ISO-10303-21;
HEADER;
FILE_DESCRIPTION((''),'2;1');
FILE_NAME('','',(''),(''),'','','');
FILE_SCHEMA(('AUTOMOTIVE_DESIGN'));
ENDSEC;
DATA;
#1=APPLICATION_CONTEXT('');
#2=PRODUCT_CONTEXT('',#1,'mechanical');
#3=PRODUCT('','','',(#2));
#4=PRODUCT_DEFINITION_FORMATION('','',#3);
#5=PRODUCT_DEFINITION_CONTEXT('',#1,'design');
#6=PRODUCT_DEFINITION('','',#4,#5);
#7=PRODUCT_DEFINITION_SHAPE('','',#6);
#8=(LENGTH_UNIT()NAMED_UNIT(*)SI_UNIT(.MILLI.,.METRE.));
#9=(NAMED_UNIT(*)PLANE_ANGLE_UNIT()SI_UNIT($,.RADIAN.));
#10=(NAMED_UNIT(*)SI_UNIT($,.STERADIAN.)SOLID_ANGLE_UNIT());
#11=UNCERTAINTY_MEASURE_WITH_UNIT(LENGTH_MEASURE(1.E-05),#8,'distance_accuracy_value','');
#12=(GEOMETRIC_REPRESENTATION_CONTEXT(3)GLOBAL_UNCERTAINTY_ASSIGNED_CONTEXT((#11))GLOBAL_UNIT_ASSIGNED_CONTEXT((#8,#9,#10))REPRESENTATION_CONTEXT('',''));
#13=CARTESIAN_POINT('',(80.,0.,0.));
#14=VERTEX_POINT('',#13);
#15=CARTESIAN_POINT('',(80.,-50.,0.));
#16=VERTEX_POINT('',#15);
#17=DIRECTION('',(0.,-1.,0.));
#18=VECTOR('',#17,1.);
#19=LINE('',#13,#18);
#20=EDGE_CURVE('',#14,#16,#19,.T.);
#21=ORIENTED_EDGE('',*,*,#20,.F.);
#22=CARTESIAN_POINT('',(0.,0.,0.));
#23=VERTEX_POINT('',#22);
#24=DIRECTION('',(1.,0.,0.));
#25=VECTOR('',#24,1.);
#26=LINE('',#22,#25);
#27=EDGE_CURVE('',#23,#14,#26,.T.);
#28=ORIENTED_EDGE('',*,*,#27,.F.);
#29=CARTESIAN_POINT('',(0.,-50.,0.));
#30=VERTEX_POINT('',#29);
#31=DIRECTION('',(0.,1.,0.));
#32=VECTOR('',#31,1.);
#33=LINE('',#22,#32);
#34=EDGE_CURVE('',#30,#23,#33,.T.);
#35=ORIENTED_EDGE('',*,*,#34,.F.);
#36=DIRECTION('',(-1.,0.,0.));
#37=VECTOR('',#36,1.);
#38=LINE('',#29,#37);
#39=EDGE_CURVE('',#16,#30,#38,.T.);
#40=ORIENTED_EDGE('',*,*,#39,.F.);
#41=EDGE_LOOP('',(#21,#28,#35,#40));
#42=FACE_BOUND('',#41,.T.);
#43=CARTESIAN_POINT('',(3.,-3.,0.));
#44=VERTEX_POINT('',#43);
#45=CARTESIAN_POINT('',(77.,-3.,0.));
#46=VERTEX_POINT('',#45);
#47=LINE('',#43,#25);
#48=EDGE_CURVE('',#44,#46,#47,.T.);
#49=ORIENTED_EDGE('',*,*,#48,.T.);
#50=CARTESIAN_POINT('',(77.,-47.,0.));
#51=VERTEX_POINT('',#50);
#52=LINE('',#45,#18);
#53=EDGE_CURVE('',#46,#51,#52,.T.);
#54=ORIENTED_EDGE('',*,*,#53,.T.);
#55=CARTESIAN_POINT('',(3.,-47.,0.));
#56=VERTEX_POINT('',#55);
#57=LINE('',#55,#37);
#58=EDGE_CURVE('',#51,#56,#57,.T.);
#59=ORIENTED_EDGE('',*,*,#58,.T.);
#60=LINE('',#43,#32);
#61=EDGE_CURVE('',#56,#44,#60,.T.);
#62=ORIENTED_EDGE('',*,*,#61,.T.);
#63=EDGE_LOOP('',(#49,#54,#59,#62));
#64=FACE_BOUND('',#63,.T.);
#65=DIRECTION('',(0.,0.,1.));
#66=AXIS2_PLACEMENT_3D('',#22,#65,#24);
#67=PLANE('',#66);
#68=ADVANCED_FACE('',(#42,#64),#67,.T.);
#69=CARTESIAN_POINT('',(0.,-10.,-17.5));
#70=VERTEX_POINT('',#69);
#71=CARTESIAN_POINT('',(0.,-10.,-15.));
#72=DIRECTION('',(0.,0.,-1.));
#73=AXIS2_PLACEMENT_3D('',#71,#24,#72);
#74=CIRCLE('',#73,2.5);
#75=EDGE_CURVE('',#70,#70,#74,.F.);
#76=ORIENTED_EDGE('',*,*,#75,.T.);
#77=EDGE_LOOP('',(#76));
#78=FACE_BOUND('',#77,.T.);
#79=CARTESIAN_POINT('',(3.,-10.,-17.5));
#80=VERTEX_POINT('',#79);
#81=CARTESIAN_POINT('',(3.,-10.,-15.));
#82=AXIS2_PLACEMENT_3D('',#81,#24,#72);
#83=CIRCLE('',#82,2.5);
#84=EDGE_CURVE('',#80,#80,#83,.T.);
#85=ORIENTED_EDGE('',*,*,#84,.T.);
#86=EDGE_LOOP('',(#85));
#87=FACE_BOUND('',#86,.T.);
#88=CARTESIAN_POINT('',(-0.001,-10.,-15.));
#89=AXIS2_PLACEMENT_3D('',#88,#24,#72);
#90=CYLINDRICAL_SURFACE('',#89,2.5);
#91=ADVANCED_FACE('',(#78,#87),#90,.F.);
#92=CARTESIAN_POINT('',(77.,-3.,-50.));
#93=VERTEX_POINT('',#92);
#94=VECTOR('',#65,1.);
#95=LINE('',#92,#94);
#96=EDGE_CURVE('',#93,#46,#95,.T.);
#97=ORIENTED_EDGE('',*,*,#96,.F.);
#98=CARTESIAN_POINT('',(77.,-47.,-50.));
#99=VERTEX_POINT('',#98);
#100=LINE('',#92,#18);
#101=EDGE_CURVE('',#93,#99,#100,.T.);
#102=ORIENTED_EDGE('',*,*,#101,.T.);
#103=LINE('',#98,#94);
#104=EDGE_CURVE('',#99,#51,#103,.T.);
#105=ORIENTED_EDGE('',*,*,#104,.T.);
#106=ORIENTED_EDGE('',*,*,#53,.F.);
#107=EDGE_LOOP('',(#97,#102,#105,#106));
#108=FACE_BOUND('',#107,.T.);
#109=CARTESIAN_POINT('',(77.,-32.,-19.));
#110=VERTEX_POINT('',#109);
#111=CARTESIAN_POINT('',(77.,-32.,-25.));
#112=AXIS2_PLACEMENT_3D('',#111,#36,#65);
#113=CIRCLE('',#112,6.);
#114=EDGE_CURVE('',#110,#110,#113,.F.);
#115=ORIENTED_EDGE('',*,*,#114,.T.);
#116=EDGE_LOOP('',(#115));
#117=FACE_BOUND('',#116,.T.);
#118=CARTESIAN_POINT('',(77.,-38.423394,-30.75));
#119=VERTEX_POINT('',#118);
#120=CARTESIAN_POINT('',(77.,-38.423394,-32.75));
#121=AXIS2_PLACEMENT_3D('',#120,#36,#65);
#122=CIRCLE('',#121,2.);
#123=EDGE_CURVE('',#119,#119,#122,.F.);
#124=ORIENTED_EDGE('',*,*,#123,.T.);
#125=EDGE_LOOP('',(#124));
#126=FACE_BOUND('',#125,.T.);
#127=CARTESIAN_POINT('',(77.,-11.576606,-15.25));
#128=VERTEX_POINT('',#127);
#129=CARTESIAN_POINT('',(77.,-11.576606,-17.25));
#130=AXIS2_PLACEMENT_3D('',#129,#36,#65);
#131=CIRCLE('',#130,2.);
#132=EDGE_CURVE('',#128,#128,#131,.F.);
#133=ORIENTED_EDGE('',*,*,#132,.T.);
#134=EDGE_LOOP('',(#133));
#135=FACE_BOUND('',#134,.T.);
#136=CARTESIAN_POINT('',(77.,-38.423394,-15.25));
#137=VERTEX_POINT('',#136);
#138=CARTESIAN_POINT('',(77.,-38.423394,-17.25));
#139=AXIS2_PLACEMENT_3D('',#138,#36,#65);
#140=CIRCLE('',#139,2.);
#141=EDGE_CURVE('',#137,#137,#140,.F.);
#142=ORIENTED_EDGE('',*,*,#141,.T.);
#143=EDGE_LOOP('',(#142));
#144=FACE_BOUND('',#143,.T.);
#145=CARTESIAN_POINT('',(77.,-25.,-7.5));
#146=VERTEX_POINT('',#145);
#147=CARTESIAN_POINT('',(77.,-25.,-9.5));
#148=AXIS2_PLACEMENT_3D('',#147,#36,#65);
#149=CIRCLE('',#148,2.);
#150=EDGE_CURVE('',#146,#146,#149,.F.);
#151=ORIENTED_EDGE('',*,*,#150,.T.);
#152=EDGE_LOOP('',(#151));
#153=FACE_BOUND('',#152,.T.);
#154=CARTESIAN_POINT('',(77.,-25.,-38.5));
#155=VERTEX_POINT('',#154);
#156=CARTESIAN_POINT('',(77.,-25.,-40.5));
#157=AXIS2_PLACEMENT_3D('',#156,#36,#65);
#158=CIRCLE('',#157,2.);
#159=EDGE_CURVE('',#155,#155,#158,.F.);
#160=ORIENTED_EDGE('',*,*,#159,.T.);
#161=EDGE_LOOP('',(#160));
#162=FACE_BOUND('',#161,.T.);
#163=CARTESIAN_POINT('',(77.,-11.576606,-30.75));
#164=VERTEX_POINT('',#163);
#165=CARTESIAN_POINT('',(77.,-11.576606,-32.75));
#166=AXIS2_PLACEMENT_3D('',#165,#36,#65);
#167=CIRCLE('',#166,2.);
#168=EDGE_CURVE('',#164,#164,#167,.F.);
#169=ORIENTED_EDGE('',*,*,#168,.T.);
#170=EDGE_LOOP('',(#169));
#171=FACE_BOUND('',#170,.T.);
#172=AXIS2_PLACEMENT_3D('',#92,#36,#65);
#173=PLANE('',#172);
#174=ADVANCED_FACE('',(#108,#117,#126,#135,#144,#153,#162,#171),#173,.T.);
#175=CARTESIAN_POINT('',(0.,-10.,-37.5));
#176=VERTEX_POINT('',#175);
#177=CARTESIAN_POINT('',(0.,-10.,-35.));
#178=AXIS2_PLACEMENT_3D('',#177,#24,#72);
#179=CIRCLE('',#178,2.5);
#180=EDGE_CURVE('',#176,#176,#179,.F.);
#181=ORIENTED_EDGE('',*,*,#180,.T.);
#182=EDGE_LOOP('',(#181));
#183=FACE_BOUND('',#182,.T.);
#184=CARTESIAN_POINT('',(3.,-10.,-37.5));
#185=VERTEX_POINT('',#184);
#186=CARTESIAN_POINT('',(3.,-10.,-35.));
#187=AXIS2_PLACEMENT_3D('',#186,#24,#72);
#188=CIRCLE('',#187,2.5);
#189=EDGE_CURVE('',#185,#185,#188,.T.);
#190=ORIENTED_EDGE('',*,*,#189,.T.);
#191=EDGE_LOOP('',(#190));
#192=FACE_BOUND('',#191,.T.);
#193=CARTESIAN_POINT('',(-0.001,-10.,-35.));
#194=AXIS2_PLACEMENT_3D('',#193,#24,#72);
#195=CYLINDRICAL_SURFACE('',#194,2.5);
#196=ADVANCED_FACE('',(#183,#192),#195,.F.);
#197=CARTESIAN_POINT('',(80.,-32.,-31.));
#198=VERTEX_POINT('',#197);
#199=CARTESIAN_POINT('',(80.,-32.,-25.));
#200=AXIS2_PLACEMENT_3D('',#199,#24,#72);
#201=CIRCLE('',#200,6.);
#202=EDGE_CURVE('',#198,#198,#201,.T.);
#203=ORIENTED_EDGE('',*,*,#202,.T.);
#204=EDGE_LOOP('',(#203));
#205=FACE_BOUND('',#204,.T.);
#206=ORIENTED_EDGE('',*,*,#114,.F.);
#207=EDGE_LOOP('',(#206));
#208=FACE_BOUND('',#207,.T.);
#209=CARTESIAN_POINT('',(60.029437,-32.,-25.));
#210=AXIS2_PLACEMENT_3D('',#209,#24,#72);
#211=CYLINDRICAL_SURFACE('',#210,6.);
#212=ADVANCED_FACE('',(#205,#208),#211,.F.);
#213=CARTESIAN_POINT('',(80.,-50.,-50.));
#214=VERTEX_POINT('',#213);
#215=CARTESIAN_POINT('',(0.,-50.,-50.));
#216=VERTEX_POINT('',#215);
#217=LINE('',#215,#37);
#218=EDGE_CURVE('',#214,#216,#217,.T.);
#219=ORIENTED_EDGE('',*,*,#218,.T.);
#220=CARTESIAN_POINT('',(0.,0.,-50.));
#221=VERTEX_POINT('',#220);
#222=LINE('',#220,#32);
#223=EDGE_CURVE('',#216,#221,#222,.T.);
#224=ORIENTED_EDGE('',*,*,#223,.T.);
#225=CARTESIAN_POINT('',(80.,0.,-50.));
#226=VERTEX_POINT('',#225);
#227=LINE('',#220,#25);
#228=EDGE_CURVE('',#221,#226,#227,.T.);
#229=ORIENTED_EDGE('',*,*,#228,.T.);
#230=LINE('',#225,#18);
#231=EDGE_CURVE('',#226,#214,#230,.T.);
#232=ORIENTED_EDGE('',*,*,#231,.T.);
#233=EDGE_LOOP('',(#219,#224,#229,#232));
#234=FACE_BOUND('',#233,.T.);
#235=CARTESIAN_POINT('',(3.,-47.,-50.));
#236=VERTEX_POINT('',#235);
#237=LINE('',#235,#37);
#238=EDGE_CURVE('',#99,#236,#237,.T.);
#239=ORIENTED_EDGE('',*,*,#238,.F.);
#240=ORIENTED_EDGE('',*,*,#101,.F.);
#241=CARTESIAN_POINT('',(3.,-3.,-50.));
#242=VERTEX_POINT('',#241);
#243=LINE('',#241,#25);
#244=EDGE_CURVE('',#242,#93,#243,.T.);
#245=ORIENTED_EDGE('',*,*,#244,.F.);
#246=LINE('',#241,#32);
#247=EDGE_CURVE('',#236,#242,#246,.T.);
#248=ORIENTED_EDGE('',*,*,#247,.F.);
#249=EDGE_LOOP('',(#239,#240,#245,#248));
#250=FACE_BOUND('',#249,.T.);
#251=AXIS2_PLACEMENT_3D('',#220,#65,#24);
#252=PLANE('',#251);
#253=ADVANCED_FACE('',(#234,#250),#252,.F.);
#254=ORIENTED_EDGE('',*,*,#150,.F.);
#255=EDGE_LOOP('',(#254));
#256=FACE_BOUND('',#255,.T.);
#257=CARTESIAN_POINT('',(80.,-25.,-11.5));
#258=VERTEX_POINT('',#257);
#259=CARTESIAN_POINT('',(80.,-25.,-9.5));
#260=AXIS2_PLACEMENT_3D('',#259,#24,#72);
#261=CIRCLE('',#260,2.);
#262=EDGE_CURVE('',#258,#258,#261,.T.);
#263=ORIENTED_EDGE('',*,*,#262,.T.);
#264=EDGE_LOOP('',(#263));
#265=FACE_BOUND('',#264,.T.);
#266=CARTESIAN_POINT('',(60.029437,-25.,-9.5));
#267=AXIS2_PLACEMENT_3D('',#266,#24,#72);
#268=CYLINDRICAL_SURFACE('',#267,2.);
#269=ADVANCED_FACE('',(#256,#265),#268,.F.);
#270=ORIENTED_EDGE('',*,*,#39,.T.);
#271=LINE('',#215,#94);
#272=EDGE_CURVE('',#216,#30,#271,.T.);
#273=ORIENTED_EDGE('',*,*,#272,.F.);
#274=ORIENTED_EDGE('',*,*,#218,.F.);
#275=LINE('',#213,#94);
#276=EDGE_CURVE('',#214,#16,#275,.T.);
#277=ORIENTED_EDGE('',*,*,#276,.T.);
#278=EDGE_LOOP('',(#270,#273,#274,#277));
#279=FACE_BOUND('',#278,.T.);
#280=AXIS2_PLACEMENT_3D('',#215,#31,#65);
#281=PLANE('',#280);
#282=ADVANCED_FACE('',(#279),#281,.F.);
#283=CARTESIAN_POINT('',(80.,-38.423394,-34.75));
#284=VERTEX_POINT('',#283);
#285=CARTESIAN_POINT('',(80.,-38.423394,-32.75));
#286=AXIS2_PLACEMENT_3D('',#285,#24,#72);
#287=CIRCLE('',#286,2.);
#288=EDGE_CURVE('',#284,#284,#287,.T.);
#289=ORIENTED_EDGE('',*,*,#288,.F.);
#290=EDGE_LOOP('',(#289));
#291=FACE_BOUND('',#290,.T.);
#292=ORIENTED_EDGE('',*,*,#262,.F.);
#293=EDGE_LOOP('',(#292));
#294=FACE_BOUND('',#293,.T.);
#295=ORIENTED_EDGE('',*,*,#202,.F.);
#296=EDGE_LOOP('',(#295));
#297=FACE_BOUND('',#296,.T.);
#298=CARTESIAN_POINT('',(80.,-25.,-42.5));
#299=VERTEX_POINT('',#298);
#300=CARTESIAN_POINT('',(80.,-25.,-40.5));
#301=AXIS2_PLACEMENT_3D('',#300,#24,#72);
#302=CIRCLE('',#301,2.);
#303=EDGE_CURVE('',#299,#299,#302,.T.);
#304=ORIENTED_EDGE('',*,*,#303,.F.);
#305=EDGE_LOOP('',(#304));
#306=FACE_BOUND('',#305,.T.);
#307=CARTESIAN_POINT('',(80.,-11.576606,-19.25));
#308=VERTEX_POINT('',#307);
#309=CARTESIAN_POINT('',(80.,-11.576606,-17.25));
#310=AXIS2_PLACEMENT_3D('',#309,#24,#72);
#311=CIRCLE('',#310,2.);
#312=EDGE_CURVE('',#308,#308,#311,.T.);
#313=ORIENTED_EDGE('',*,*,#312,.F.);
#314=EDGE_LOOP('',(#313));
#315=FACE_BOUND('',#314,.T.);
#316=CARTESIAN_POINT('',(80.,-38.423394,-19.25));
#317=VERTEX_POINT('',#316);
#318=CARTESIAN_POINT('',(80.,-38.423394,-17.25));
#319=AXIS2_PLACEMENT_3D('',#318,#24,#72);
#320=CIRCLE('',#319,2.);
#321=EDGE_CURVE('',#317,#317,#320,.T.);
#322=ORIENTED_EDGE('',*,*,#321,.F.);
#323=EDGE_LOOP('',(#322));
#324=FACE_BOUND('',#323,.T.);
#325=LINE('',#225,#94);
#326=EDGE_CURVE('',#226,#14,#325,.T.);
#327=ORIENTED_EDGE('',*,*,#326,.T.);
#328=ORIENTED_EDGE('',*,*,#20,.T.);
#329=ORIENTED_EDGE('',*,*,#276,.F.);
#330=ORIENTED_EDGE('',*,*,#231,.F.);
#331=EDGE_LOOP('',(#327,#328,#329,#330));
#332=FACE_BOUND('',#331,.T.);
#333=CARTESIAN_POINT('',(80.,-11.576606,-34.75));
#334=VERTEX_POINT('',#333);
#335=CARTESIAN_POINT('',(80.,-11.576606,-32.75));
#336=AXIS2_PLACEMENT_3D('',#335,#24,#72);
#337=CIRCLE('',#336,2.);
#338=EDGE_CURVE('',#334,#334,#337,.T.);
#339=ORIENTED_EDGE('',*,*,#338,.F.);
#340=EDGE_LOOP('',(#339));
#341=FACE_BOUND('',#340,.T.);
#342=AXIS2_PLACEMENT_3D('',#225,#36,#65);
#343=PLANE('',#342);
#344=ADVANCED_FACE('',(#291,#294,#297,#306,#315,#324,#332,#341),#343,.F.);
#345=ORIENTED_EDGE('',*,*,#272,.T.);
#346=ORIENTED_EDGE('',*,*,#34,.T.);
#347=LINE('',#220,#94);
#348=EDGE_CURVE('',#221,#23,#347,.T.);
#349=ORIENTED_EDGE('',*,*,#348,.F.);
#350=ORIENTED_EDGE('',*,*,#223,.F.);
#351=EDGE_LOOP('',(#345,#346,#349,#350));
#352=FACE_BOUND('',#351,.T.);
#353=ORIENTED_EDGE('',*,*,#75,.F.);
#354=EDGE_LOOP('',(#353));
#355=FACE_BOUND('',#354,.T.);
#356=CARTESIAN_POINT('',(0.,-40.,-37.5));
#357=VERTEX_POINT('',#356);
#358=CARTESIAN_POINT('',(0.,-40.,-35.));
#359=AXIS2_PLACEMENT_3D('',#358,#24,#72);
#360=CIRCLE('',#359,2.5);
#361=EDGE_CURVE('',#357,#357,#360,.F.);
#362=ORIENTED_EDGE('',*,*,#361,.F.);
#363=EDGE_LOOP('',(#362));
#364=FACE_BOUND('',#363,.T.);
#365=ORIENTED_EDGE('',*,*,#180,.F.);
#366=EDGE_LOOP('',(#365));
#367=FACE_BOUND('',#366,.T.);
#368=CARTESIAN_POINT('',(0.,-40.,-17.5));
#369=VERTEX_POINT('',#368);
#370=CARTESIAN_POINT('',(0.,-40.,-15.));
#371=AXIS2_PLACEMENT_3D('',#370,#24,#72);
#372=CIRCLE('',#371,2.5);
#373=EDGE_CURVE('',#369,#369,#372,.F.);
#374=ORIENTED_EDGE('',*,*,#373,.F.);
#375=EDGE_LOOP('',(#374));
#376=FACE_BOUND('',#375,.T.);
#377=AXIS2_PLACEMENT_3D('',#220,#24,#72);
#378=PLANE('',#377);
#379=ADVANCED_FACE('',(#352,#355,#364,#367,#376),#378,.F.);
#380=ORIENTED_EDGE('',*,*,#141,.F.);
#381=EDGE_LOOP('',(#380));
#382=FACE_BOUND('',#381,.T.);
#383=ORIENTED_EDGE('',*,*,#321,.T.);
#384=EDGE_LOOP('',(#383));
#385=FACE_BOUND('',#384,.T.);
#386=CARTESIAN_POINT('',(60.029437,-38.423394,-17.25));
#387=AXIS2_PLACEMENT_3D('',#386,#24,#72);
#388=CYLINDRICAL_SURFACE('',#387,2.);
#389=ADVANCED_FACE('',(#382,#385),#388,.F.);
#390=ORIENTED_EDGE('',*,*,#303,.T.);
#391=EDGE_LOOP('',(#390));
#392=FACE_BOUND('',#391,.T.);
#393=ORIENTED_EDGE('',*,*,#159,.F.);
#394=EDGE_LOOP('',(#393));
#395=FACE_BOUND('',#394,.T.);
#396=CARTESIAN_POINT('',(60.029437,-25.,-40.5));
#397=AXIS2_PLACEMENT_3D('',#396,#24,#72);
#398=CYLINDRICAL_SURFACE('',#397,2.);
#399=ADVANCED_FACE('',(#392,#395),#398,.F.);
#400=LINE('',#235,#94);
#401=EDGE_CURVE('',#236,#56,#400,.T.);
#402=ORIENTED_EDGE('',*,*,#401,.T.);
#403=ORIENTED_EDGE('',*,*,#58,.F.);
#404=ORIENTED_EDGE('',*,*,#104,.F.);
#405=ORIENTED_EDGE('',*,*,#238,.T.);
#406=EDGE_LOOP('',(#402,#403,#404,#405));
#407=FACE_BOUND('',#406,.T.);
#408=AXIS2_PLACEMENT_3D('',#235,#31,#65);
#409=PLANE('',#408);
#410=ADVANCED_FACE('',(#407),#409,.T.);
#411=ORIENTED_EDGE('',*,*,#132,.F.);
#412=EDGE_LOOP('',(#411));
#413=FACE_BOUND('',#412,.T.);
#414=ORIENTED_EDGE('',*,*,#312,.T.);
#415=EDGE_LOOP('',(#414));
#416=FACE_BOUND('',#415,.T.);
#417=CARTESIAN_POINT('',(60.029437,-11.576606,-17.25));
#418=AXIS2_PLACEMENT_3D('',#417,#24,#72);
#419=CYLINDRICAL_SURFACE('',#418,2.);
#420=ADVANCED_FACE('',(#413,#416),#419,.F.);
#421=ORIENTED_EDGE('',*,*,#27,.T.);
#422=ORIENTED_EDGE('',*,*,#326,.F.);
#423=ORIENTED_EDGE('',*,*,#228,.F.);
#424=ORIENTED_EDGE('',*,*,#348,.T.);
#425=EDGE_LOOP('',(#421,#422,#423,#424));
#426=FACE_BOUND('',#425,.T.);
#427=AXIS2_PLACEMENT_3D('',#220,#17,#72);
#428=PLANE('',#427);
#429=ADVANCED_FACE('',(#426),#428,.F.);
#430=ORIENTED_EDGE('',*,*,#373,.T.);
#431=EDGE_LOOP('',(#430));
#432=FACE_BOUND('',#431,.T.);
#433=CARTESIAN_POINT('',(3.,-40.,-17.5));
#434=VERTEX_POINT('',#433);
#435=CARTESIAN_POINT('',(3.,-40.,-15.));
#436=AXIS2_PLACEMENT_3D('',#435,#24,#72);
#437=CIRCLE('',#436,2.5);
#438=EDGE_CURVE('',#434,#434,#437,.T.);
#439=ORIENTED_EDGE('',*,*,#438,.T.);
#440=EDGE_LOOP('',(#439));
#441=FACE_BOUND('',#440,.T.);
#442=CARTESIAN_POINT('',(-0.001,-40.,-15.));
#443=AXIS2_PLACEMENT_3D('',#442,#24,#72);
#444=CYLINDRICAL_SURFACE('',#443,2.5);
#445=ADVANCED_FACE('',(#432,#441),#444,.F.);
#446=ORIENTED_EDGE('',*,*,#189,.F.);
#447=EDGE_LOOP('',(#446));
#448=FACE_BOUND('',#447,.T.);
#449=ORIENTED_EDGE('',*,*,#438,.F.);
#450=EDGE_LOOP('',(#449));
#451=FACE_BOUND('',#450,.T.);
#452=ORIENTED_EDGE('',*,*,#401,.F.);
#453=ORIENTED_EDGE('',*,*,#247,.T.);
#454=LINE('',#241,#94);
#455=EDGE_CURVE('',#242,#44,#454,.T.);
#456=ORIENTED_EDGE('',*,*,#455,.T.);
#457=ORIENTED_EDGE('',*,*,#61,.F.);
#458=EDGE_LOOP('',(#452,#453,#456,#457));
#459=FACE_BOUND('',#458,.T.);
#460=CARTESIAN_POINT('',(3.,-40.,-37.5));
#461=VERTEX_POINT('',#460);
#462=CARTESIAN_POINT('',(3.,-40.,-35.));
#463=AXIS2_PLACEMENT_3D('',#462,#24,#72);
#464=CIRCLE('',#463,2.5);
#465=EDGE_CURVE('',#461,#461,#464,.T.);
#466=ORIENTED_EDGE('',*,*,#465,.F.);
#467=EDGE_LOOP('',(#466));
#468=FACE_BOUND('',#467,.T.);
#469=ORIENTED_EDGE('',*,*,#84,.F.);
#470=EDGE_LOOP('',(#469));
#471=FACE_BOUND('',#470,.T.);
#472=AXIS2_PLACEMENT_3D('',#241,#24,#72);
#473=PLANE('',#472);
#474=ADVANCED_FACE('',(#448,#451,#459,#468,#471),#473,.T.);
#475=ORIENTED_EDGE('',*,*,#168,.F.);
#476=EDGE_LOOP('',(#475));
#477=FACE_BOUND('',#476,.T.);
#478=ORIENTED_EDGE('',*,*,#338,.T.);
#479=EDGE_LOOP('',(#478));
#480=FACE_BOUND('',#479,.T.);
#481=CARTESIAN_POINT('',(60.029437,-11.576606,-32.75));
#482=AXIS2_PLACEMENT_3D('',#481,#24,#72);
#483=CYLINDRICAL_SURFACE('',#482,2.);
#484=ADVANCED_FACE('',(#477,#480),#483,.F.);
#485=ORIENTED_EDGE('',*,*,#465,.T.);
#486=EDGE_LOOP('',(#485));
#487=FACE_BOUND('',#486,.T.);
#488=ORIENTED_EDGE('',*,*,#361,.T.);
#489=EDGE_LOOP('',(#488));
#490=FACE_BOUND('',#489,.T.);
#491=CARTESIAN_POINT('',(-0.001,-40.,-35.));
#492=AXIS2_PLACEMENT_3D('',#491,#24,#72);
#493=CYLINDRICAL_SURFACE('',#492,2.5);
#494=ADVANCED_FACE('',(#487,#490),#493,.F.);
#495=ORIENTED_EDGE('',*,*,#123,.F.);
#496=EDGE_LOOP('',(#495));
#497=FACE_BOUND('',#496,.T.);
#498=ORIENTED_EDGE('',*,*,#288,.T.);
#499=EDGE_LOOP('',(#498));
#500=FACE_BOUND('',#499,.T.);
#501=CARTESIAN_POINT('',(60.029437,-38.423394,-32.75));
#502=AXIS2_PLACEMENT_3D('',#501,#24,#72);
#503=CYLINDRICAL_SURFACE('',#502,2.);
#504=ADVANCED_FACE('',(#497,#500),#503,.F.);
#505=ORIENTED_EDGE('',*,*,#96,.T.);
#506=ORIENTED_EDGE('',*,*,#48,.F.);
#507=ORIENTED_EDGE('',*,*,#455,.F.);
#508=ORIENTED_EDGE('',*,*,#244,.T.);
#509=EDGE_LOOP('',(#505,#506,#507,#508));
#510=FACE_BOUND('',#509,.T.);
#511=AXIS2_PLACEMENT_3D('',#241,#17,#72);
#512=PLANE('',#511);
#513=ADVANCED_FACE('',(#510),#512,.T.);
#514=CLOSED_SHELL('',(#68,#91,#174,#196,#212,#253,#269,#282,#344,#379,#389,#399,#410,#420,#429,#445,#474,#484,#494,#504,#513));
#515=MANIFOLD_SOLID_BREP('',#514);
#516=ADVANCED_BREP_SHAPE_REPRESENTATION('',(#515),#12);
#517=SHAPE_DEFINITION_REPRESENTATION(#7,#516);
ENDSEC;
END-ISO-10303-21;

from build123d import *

# Parameters (mm, degrees)
SKETCH1_W           = 80
SKETCH1_H           = 50
SKETCH1_W_2         = 74
SKETCH1_H_2         = 44
BOSS_EXTRUDE1_DEPTH = 50
SKETCH2_R           = 2
SKETCH2_R_2         = 6
CUT_EXTRUDE1_DEPTH  = 3
CUT_EXTRUDE2_REACH  = 5
SKETCH3_R           = 2.5


with BuildPart() as part:
    # Sketch1 → Boss-Extrude1 (new body)
    with BuildSketch(Plane(origin=(0, 0, 0), x_dir=(1, 0, 0), z_dir=(0, 0, -1))):
        with Locations((40, 25)):
            Rectangle(SKETCH1_W, SKETCH1_H)
        with Locations((40, 25)):
            Rectangle(SKETCH1_W_2, SKETCH1_H_2, mode=Mode.SUBTRACT)
    extrude(amount=BOSS_EXTRUDE1_DEPTH)

    # Sketch2 → Cut-Extrude1 (cut)
    with BuildSketch(Plane(origin=(80, 0, 0), x_dir=(0, 0, -1), z_dir=(1, 0, 0))):
        with Locations((9.5, -25)):
            Circle(SKETCH2_R)
        with Locations((17.25, -38.423393759)):
            Circle(SKETCH2_R)
        with Locations((32.75, -38.423393759)):
            Circle(SKETCH2_R)
        with Locations((40.5, -25)):
            Circle(SKETCH2_R)
        with Locations((32.75, -11.576606241)):
            Circle(SKETCH2_R)
        with Locations((17.25, -11.576606241)):
            Circle(SKETCH2_R)
        with Locations((25, -32)):
            Circle(SKETCH2_R_2)
    extrude(amount=-CUT_EXTRUDE1_DEPTH, mode=Mode.SUBTRACT)

    # Sketch3 → Cut-Extrude2 (cut, up to next)
    with BuildSketch(Plane(origin=(3, 0, 0), x_dir=(0, 0, -1), z_dir=(1, 0, 0)), mode=Mode.PRIVATE) as cut_extrude2_sk1:
        with Locations((15, -40)):
            Circle(SKETCH3_R)
    cut_extrude2_tool1 = extrude(cut_extrude2_sk1.sketch, amount=-CUT_EXTRUDE2_REACH, mode=Mode.PRIVATE) & part.part
    add(cut_extrude2_tool1.solids().sort_by_distance((3, -40, -15))[0], mode=Mode.SUBTRACT)
    # Sketch3 → Cut-Extrude2 (cut, up to next)
    with BuildSketch(Plane(origin=(3, 0, 0), x_dir=(0, 0, -1), z_dir=(1, 0, 0)), mode=Mode.PRIVATE) as cut_extrude2_sk2:
        with Locations((15, -10)):
            Circle(SKETCH3_R)
    cut_extrude2_tool2 = extrude(cut_extrude2_sk2.sketch, amount=-CUT_EXTRUDE2_REACH, mode=Mode.PRIVATE) & part.part
    add(cut_extrude2_tool2.solids().sort_by_distance((3, -10, -15))[0], mode=Mode.SUBTRACT)
    # Sketch3 → Cut-Extrude2 (cut, up to next)
    with BuildSketch(Plane(origin=(3, 0, 0), x_dir=(0, 0, -1), z_dir=(1, 0, 0)), mode=Mode.PRIVATE) as cut_extrude2_sk3:
        with Locations((35, -10)):
            Circle(SKETCH3_R)
    cut_extrude2_tool3 = extrude(cut_extrude2_sk3.sketch, amount=-CUT_EXTRUDE2_REACH, mode=Mode.PRIVATE) & part.part
    add(cut_extrude2_tool3.solids().sort_by_distance((3, -10, -35))[0], mode=Mode.SUBTRACT)
    # Sketch3 → Cut-Extrude2 (cut, up to next)
    with BuildSketch(Plane(origin=(3, 0, 0), x_dir=(0, 0, -1), z_dir=(1, 0, 0)), mode=Mode.PRIVATE) as cut_extrude2_sk4:
        with Locations((35, -40)):
            Circle(SKETCH3_R)
    cut_extrude2_tool4 = extrude(cut_extrude2_sk4.sketch, amount=-CUT_EXTRUDE2_REACH, mode=Mode.PRIVATE) & part.part
    add(cut_extrude2_tool4.solids().sort_by_distance((3, -40, -35))[0], mode=Mode.SUBTRACT)


solid = part.part
